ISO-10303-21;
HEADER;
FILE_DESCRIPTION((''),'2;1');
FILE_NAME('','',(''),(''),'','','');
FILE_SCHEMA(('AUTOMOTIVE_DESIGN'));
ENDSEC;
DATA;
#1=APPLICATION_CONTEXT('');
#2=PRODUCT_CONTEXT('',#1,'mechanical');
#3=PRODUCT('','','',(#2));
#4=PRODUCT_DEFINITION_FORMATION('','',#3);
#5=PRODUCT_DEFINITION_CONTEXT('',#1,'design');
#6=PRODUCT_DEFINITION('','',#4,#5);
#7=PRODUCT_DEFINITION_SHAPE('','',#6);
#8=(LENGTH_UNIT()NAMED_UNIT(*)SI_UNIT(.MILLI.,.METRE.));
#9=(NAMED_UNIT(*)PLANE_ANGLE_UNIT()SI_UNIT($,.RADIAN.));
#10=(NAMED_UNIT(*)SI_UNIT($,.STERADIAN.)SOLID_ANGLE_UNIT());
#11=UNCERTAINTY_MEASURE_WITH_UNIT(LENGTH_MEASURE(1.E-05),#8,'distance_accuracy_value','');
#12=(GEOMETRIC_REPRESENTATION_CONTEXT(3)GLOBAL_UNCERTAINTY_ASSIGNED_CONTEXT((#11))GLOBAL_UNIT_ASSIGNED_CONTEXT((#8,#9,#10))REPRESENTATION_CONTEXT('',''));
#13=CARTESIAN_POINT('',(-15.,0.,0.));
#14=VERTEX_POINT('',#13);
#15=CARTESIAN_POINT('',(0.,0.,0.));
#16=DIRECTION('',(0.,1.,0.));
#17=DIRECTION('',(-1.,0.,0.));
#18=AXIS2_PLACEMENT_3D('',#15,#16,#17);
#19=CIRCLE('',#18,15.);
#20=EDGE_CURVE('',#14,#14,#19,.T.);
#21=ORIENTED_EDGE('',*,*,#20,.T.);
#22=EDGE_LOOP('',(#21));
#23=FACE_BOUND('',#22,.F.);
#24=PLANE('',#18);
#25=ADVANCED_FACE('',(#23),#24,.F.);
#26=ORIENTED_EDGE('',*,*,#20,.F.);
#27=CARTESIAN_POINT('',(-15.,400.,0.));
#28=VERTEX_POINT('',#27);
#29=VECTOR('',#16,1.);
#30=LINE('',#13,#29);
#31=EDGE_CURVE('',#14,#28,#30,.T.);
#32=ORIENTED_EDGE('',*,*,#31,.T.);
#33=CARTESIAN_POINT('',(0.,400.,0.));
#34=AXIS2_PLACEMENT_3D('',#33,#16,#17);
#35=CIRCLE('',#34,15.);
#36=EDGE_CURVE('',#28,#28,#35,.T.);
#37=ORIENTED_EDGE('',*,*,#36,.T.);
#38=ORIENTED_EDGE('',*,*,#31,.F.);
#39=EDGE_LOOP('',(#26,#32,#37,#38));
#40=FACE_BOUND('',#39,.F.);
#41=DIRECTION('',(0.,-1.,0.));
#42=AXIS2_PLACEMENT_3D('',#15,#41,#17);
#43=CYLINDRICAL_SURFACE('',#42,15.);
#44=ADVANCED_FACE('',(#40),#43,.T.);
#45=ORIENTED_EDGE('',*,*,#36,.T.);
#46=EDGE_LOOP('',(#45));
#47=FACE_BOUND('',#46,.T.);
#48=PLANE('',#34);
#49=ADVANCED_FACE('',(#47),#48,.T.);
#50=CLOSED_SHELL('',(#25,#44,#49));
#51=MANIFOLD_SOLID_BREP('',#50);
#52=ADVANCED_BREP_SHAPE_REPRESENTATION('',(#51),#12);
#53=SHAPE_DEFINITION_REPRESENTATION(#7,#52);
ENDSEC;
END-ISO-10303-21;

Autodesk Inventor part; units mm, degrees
ref_plane "YZ Plane" through (0, 0, 0) normal (1, 0, 0) x (0, 1, 0)
ref_plane "XZ Plane" through (0, 0, 0) normal (0, 1, 0) x (-1, 0, 0)
ref_plane "XY Plane" through (0, 0, 0) normal (0, 0, 1) x (1, 0, 0)
sketch "Sketch1" plane through (0, 0, 0) normal (0, 1, 0) x (-1, 0, 0)
  circle A0 centre (0, 0) radius 15
  dimension "d0" = 30
extrude "Extrusion1" add sketch "Sketch1" along normal blind 400
properties part number "shaft"
